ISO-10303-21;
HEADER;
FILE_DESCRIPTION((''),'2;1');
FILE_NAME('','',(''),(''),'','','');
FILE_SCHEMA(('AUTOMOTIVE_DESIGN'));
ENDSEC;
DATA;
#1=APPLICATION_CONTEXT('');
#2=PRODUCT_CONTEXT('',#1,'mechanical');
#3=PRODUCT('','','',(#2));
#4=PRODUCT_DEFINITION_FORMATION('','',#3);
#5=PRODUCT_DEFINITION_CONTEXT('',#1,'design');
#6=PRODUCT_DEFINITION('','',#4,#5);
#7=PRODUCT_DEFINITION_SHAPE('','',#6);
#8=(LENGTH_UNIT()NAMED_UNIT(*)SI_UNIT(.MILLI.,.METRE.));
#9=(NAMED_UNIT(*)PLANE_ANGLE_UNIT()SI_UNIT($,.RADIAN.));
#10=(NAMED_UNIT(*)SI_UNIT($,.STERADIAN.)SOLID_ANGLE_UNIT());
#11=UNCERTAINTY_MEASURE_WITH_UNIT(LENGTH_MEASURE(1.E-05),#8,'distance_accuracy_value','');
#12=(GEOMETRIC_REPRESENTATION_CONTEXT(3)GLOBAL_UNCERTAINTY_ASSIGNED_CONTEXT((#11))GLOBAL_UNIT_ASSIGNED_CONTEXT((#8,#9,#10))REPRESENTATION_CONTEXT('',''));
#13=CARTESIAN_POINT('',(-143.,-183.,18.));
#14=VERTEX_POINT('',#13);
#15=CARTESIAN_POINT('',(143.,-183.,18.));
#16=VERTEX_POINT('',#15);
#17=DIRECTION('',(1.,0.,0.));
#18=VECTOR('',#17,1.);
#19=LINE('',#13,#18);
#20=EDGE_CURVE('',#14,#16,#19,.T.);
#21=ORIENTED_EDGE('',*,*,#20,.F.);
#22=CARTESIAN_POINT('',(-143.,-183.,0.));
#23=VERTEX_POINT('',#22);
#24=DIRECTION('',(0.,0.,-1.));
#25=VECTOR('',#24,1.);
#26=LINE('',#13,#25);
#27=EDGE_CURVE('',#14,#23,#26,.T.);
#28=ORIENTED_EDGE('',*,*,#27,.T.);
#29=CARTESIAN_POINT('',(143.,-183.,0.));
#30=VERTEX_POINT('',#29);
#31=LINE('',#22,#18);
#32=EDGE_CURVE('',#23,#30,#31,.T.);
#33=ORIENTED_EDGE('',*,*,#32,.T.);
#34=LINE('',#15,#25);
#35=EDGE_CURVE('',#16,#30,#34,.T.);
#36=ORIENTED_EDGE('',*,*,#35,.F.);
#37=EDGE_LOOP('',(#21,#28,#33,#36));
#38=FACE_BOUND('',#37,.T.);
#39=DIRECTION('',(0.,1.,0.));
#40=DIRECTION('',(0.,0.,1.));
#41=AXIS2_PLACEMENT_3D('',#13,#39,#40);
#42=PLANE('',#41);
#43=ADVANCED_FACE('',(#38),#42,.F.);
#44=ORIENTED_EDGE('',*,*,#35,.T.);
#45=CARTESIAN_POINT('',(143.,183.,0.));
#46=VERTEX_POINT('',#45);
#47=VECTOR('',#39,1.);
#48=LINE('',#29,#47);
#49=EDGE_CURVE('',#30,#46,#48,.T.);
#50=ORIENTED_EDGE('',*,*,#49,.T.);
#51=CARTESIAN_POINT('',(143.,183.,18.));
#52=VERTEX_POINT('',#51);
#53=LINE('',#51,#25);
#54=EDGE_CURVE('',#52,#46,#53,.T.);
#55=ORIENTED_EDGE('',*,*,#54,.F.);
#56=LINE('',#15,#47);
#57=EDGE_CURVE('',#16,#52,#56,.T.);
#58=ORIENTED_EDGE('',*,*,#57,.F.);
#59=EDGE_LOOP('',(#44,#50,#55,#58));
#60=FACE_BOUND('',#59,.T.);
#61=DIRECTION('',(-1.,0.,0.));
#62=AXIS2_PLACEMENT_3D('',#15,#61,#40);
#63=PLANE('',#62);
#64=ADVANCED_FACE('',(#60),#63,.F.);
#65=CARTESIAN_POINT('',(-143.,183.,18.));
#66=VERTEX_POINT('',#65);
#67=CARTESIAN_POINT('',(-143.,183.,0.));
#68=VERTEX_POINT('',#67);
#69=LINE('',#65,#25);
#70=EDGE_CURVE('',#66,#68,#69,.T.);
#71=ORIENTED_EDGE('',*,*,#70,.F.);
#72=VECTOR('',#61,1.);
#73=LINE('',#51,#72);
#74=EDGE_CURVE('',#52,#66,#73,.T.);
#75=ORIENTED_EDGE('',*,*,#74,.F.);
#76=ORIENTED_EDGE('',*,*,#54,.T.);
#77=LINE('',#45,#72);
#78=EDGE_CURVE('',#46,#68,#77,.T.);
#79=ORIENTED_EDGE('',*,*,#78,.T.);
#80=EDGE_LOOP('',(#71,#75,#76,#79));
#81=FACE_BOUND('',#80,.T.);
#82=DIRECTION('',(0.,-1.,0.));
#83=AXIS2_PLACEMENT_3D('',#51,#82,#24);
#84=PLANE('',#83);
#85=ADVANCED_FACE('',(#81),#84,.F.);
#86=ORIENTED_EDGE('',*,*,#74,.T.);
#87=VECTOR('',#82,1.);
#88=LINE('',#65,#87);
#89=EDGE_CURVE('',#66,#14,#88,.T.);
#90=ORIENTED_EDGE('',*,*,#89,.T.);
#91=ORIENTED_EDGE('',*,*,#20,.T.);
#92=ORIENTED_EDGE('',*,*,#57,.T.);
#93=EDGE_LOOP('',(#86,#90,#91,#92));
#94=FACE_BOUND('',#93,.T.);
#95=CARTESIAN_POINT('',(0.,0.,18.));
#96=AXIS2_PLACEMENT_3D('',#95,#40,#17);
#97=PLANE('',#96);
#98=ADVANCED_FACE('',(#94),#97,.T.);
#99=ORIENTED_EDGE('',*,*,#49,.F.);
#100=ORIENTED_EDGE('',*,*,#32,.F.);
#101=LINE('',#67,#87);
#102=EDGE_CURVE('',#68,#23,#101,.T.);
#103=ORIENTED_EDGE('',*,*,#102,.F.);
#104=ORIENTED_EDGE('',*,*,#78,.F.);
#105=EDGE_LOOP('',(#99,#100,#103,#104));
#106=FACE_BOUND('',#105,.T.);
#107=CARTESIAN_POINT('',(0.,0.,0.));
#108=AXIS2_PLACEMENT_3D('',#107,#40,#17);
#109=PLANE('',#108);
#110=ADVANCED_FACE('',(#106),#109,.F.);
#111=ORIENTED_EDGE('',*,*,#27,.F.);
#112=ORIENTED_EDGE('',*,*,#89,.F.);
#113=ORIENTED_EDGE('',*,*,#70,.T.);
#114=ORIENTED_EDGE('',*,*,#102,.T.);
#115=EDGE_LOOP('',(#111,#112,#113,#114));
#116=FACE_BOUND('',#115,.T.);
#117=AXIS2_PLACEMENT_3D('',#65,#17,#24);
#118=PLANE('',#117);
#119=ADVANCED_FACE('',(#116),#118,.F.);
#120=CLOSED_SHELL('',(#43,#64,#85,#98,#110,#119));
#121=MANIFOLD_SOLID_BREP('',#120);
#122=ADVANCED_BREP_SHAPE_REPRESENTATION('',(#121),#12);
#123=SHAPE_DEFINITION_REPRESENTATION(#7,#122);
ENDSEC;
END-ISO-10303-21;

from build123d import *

# Parameters (mm, degrees)
SZKIC1_W                    = 286
SZKIC1_H                    = 366
DODANIE_WYCI_GNI_CIE1_DEPTH = 18


with BuildPart() as part:
    # Szkic1 → Dodanie-wyciągnięcie1 (new body)
    with BuildSketch(Plane.XY):
        Rectangle(SZKIC1_W, SZKIC1_H)
    extrude(amount=DODANIE_WYCI_GNI_CIE1_DEPTH)


solid = part.part
